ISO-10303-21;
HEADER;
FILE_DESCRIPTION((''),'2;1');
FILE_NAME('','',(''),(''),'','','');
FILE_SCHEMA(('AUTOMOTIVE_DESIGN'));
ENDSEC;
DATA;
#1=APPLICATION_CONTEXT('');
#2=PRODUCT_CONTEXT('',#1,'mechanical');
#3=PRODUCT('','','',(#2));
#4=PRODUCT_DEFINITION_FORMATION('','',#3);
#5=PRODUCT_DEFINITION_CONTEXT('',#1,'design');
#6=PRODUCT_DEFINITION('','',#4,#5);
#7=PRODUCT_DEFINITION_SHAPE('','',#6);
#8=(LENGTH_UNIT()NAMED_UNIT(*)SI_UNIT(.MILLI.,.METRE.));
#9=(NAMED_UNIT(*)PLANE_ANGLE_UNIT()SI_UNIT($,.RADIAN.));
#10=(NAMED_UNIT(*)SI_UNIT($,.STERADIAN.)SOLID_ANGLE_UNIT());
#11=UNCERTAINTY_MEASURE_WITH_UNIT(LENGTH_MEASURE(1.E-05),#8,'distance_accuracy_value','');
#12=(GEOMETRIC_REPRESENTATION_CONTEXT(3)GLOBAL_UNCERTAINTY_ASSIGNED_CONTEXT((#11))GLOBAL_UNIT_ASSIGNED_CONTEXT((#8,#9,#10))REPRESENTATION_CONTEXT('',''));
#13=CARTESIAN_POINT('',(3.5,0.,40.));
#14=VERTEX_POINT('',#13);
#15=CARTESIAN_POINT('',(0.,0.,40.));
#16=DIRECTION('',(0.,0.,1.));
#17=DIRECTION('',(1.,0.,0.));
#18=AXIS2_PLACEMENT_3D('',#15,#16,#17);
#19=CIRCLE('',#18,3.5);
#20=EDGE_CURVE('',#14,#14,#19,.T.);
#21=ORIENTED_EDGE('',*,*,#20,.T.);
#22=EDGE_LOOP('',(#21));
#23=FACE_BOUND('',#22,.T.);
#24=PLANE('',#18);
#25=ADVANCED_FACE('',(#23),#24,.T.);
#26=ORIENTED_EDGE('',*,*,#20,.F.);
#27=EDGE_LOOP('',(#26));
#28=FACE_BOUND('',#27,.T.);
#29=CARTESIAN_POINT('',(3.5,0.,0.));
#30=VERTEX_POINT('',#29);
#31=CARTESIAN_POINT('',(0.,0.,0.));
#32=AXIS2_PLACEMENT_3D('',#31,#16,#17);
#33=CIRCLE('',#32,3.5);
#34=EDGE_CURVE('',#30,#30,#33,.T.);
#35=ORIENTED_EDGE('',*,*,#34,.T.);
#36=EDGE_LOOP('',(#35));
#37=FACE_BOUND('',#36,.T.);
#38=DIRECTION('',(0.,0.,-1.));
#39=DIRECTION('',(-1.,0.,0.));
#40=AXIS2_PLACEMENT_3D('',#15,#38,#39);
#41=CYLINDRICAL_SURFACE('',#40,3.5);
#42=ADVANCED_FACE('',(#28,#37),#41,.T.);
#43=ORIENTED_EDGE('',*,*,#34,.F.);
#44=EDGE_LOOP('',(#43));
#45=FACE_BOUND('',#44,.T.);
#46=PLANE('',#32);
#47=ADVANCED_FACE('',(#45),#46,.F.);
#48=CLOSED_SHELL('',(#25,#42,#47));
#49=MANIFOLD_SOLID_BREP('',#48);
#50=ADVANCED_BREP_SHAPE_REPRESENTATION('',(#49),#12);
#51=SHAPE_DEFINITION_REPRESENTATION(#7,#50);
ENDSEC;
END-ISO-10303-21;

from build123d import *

# Parameters (mm, degrees)
IZIM1_R                     = 3.5
Y_KSEKLIK_EKSTR_ZYON1_DEPTH = 40


with BuildPart() as part:
    # Çizim1 → Yükseklik-Ekstrüzyon1 (new body)
    with BuildSketch(Plane.XY):
        Circle(IZIM1_R)
    extrude(amount=Y_KSEKLIK_EKSTR_ZYON1_DEPTH)


solid = part.part
